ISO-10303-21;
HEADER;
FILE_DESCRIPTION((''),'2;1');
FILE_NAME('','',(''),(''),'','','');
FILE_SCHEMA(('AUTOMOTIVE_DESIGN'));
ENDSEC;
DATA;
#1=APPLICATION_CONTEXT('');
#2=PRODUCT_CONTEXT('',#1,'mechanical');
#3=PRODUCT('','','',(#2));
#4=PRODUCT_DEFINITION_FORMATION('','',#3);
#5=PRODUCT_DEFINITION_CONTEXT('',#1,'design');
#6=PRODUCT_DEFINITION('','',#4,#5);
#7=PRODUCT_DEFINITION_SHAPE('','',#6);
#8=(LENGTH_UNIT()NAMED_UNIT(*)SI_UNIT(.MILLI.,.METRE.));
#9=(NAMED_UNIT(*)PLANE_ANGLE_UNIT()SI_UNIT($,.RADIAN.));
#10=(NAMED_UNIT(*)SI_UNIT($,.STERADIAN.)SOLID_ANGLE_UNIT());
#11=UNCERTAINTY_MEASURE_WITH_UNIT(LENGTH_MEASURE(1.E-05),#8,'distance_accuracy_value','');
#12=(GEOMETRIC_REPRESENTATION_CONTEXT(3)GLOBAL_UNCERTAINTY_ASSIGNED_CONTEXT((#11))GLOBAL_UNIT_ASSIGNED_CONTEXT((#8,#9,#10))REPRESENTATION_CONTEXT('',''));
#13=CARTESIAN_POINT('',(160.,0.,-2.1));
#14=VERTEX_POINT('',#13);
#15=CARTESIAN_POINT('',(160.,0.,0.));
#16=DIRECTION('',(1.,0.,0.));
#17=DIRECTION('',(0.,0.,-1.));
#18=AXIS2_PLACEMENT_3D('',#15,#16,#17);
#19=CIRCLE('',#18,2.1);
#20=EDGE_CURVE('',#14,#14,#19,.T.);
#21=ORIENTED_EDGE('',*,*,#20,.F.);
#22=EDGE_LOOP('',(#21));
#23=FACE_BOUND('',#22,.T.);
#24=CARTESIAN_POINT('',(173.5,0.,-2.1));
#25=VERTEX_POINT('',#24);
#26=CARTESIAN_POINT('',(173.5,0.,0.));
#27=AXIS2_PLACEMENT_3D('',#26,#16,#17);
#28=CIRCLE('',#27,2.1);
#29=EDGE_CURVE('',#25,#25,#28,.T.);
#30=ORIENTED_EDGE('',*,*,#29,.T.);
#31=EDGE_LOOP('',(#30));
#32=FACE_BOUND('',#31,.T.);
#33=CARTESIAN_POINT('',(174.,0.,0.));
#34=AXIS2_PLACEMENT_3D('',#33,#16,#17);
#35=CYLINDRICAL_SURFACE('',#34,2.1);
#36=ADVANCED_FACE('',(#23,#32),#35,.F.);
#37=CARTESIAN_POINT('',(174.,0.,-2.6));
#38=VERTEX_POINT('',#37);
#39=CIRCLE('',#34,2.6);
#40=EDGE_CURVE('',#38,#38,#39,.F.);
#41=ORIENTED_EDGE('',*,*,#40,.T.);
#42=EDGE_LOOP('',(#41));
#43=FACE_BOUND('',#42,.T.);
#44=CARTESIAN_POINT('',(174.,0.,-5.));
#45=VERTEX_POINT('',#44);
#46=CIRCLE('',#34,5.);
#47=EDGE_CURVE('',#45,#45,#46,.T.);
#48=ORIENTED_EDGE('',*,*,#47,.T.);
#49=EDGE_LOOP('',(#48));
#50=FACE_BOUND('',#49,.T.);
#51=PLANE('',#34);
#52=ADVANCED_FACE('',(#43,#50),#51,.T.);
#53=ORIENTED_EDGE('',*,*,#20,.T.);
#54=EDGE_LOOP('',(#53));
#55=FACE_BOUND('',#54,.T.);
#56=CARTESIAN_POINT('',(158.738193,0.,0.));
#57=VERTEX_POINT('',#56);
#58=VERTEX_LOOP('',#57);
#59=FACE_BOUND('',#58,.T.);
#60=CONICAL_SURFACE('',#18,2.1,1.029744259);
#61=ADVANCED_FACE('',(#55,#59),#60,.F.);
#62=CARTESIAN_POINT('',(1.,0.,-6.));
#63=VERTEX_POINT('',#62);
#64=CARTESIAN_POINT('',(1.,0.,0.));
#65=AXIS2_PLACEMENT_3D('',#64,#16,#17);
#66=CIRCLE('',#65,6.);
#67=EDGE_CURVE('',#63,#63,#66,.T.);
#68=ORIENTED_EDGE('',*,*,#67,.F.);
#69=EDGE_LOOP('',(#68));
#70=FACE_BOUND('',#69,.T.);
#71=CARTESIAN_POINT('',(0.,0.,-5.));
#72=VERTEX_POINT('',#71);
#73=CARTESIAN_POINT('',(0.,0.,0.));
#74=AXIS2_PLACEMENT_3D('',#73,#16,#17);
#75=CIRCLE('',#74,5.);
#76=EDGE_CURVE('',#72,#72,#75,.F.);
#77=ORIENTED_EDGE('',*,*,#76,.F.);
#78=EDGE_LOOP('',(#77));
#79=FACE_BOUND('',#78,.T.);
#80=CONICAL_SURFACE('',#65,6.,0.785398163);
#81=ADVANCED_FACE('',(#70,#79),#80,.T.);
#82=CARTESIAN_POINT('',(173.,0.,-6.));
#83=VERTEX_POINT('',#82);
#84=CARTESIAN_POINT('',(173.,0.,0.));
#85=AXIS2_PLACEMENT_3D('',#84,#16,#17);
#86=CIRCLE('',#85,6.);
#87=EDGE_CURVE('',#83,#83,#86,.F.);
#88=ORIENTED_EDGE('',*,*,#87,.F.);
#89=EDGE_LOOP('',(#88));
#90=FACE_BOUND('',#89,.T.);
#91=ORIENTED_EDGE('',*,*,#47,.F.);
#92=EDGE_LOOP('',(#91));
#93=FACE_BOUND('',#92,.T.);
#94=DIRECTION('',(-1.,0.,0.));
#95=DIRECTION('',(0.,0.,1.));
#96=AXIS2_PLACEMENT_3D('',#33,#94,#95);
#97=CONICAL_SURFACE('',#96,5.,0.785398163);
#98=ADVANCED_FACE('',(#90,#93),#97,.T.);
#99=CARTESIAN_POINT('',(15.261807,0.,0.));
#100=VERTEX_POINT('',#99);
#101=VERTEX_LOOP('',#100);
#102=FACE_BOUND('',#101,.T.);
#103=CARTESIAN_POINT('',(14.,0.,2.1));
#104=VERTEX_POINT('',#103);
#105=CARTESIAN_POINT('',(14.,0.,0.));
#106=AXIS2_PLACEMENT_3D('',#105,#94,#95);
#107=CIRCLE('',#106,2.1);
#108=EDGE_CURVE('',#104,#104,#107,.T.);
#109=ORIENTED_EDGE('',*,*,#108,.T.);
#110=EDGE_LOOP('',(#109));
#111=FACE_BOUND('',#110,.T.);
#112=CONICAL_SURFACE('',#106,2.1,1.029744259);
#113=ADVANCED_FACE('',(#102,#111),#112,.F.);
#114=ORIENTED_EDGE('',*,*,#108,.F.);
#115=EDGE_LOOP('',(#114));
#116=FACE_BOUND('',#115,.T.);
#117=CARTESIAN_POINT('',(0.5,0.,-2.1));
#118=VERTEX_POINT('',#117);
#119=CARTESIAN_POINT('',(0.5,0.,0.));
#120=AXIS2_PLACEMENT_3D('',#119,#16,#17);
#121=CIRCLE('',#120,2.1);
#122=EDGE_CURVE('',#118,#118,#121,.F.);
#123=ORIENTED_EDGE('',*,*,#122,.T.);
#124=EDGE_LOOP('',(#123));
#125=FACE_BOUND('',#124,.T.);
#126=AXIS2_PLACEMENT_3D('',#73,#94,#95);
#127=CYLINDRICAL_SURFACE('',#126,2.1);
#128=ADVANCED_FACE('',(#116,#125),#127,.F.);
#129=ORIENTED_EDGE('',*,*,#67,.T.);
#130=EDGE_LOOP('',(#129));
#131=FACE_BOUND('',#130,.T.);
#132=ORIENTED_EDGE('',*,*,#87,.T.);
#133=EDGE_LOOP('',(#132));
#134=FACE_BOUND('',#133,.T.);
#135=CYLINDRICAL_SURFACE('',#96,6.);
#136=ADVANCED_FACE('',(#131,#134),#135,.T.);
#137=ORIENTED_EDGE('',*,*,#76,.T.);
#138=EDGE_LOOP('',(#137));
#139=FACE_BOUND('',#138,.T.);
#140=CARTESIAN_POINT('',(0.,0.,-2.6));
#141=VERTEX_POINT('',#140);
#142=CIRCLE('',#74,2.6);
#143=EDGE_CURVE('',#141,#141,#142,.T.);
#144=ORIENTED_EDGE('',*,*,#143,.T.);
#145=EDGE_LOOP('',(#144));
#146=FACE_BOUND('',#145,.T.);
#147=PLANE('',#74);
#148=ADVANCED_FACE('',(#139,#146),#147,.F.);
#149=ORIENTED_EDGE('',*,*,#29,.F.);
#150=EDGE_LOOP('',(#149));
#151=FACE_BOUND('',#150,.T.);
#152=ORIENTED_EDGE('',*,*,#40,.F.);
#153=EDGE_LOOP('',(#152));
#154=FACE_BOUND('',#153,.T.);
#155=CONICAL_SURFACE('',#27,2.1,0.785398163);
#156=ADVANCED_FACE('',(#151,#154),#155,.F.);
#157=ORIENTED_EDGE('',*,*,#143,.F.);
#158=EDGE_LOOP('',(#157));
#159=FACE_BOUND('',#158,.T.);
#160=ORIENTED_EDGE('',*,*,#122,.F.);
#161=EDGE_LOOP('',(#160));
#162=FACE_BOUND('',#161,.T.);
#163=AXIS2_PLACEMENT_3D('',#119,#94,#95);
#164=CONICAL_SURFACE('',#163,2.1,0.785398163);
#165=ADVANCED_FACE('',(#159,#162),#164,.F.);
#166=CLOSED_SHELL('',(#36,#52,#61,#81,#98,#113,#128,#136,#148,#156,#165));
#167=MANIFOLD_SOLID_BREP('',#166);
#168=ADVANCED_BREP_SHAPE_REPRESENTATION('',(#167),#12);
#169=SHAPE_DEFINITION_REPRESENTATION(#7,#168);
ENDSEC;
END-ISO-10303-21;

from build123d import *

# Parameters (mm, degrees)
SKETCH1_R             = 6
BOSS_EXTRUDE1_DEPTH   = 174
CHAMFER1_SIZE         = 1
M5_TAPPED_HOLE1_D     = 4.2
M5_TAPPED_HOLE1_DEPTH = 14
M5_TAPPED_HOLE1_TIP   = 1.2618073
CHAMFER2_SIZE         = 0.5
M5_TAPPED_HOLE2_D     = 4.2
M5_TAPPED_HOLE2_DEPTH = 14
M5_TAPPED_HOLE2_TIP   = 1.2618073
CHAMFER3_SIZE         = 0.5


with BuildPart() as part:
    # Sketch1 → Boss-Extrude1 (new body)
    with BuildSketch(Plane(origin=(0, 0, 0), x_dir=(0, 0, -1), z_dir=(1, 0, 0))):
        Circle(SKETCH1_R)
    extrude(amount=BOSS_EXTRUDE1_DEPTH)

    # Chamfer1
    chamfer1_edges = [part.edges().sort_by_distance(p)[0] for p in [
        (0, 0, 6),
        (174, 0, 6),
    ]]
    chamfer(chamfer1_edges, length=CHAMFER1_SIZE)

    # M5 Tapped Hole1
    with Locations(Plane(origin=(174, 0, 0), x_dir=(0, 0, -1), z_dir=(1, 0, 0))):
        with Locations((0, 0)):
            Hole(M5_TAPPED_HOLE1_D / 2, depth=M5_TAPPED_HOLE1_DEPTH)
            with Locations((0, 0, -(M5_TAPPED_HOLE1_DEPTH + M5_TAPPED_HOLE1_TIP / 2))):  # 118° drill point
                Cone(0, M5_TAPPED_HOLE1_D / 2, M5_TAPPED_HOLE1_TIP, mode=Mode.SUBTRACT)

    # Chamfer2
    chamfer2_edges = [part.edges().sort_by_distance(p)[0] for p in [
        (174, 0, -2.1),
    ]]
    chamfer(chamfer2_edges, length=CHAMFER2_SIZE)

    # M5 Tapped Hole2
    with Locations(Plane.ZY):
        with Locations((0, 0)):
            Hole(M5_TAPPED_HOLE2_D / 2, depth=M5_TAPPED_HOLE2_DEPTH)
            with Locations((0, 0, -(M5_TAPPED_HOLE2_DEPTH + M5_TAPPED_HOLE2_TIP / 2))):  # 118° drill point
                Cone(0, M5_TAPPED_HOLE2_D / 2, M5_TAPPED_HOLE2_TIP, mode=Mode.SUBTRACT)

    # Chamfer3
    chamfer3_edges = [part.edges().sort_by_distance(p)[0] for p in [
        (0, 0, 2.1),
    ]]
    chamfer(chamfer3_edges, length=CHAMFER3_SIZE)


solid = part.part
